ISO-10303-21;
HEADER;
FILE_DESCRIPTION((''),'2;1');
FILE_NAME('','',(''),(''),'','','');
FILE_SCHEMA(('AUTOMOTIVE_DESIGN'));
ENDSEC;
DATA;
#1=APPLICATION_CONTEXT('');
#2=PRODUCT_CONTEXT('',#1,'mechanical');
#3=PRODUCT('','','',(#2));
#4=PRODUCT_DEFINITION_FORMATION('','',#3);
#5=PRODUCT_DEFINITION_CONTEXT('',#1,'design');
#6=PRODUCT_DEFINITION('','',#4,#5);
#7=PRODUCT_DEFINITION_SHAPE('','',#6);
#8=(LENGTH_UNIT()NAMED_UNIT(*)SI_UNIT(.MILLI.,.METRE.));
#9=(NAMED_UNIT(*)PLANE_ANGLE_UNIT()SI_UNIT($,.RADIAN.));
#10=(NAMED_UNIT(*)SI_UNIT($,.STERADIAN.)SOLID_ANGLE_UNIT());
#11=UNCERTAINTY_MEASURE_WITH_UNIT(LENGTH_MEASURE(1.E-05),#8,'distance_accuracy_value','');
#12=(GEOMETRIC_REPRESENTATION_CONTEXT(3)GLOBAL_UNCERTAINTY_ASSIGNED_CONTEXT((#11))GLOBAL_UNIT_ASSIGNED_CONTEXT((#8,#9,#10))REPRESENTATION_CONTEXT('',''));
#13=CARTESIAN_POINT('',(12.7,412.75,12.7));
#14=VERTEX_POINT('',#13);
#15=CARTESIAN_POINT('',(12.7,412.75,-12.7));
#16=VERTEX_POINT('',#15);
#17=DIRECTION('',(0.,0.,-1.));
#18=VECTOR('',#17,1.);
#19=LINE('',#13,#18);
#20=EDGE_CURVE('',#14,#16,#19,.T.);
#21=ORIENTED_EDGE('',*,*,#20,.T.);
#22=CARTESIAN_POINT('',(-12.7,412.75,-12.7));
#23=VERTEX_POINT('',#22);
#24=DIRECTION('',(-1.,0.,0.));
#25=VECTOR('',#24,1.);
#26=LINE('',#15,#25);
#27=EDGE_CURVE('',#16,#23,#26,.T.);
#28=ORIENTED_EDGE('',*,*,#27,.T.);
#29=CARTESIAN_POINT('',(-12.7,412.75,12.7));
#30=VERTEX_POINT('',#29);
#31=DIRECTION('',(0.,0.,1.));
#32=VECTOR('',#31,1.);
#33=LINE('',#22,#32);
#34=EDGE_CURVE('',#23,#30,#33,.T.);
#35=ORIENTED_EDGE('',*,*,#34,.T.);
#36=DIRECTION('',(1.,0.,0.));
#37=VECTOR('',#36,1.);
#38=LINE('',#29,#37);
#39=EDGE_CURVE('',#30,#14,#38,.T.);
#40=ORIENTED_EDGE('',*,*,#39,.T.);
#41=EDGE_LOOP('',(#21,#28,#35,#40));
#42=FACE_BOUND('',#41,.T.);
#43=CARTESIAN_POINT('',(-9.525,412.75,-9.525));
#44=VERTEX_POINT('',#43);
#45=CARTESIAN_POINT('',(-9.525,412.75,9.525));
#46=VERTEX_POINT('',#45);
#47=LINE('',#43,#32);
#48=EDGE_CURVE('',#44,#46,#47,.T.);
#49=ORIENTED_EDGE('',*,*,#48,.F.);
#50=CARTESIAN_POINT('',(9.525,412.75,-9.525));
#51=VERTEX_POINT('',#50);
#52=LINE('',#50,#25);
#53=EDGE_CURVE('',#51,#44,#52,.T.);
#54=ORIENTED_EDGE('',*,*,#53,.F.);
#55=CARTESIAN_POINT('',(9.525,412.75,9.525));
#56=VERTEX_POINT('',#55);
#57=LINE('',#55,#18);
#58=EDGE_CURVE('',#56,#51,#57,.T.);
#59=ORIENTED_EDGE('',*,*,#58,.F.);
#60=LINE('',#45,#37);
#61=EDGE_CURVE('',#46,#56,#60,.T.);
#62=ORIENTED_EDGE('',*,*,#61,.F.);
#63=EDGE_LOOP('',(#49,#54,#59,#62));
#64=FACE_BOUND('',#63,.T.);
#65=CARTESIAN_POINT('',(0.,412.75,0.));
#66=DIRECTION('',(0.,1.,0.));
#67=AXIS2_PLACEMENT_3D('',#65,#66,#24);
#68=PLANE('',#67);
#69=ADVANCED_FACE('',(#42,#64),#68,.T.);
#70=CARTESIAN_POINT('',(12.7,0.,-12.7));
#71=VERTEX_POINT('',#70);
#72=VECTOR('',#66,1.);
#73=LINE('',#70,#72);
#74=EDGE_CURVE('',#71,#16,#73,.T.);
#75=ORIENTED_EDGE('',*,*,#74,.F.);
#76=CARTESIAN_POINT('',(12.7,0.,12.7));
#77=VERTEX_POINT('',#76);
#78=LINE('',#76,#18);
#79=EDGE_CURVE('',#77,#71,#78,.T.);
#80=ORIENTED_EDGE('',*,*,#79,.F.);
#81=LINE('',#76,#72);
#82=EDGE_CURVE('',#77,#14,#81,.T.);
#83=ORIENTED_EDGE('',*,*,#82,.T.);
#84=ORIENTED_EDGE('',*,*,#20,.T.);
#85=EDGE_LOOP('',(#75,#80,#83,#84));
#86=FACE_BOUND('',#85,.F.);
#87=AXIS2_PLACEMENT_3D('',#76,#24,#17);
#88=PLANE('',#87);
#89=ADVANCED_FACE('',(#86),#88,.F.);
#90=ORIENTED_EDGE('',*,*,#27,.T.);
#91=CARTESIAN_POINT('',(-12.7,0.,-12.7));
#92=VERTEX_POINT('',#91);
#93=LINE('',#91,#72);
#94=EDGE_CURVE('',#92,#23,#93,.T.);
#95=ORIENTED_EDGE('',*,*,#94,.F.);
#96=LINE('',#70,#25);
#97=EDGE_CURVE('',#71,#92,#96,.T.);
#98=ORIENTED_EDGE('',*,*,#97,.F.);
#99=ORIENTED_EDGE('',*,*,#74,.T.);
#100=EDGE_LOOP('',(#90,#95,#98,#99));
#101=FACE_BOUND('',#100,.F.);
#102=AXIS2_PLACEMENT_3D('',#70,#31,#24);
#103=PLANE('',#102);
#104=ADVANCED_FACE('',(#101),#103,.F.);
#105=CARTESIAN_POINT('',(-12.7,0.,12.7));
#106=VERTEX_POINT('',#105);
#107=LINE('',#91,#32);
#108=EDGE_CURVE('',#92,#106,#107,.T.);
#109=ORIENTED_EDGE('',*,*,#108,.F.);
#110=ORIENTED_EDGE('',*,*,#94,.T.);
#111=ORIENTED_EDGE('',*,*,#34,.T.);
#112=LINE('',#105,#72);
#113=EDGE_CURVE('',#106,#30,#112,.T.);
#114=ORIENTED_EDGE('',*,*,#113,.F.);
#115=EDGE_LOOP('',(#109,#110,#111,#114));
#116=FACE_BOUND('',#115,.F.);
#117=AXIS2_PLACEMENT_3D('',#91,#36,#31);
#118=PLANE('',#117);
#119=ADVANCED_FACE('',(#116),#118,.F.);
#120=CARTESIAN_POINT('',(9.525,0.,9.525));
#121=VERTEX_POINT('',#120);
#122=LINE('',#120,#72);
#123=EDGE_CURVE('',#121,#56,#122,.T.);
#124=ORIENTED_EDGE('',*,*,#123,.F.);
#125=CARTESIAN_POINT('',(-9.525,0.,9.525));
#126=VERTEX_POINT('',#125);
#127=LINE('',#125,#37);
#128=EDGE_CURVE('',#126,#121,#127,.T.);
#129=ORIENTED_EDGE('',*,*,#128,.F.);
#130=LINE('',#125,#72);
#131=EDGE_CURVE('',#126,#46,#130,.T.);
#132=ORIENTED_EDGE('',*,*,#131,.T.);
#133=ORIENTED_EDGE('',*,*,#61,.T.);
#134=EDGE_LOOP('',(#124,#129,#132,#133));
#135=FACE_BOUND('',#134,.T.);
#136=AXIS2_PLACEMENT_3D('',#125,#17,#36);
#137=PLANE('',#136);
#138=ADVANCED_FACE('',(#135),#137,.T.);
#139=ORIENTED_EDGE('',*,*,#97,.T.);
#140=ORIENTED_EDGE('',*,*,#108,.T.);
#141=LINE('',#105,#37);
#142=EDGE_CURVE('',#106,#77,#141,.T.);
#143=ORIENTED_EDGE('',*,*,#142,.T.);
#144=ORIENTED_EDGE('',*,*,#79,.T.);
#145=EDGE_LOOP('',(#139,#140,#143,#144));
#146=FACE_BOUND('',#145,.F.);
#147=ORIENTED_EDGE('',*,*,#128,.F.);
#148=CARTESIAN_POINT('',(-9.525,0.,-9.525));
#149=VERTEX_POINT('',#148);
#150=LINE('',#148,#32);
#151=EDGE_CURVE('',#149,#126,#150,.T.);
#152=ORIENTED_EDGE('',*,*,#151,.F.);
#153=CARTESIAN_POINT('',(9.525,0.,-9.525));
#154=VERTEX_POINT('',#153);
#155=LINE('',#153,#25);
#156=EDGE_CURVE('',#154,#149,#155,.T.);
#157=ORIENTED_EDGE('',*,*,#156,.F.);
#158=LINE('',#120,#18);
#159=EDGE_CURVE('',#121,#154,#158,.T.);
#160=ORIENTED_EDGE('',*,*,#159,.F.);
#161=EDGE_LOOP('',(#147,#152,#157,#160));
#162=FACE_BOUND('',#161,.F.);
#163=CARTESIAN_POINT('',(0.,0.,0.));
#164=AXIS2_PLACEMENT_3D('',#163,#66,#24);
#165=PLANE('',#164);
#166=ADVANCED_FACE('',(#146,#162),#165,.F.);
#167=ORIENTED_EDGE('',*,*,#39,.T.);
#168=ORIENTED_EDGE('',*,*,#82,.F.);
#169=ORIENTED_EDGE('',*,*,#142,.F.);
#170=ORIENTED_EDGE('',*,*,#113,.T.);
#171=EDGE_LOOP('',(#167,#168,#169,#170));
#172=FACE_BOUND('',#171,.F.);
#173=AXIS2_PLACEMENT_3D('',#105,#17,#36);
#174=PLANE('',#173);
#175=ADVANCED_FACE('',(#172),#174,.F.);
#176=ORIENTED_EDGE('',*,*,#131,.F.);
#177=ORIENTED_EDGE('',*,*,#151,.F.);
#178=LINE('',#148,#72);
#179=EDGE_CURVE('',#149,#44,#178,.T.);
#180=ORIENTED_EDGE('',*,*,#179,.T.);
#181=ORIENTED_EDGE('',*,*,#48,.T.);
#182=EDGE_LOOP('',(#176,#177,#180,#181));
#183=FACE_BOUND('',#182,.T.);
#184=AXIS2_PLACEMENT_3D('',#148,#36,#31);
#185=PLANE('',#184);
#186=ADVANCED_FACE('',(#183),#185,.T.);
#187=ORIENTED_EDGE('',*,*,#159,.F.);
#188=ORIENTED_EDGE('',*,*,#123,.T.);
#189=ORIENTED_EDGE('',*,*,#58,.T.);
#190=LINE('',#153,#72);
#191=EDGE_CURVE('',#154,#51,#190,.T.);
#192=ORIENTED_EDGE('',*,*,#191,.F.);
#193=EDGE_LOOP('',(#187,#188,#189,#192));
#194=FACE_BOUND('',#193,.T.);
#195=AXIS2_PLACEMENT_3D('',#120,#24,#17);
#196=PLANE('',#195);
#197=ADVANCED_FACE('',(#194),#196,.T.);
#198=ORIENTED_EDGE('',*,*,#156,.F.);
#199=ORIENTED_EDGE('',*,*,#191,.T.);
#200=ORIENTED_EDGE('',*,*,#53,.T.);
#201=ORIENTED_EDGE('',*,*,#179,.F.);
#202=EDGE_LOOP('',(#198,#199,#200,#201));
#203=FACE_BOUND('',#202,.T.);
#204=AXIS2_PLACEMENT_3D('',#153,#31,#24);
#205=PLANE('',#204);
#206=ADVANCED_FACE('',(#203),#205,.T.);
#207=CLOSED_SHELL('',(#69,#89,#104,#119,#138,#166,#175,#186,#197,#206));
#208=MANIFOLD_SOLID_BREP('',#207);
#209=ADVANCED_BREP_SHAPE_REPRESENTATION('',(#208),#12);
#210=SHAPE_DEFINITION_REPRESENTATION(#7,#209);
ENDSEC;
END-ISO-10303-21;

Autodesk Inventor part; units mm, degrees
ref_plane "YZ Plane" through (0, 0, 0) normal (1, 0, 0) x (0, 1, 0)
ref_plane "XZ Plane" through (0, 0, 0) normal (0, 1, 0) x (-1, 0, 0)
ref_plane "XY Plane" through (0, 0, 0) normal (0, 0, 1) x (1, 0, 0)
sketch "Sketch1" plane through (0, 0, 0) normal (0, 1, 0) x (-1, 0, 0)
  line L0 (12.7, 12.7) -> (-12.7, 12.7)
  line L1 (-12.7, 12.7) -> (-12.7, -12.7)
  line L2 (-12.7, -12.7) -> (12.7, -12.7)
  line L3 (12.7, -12.7) -> (12.7, 12.7)
  line L4 (12.7, 12.7) -> (-12.7, -12.7) construction
  line L5 (-12.7, 12.7) -> (12.7, -12.7) construction
  line L6 (9.525, 9.525) -> (-9.525, 9.525)
  line L7 (-9.525, 9.525) -> (-9.525, -9.525)
  line L8 (-9.525, -9.525) -> (9.525, -9.525)
  line L9 (9.525, -9.525) -> (9.525, 9.525)
  line L10 (9.525, 9.525) -> (-9.525, -9.525) construction
  line L11 (-9.525, 9.525) -> (9.525, -9.525) construction
  point P0 (0, 0)
  dimension "d0" = 25.4
  dimension "d1" = 3.175
extrude "Extrusion1" add sketch "Sketch1" along normal blind 412.75
properties part number "1x16_25-rectangular"
